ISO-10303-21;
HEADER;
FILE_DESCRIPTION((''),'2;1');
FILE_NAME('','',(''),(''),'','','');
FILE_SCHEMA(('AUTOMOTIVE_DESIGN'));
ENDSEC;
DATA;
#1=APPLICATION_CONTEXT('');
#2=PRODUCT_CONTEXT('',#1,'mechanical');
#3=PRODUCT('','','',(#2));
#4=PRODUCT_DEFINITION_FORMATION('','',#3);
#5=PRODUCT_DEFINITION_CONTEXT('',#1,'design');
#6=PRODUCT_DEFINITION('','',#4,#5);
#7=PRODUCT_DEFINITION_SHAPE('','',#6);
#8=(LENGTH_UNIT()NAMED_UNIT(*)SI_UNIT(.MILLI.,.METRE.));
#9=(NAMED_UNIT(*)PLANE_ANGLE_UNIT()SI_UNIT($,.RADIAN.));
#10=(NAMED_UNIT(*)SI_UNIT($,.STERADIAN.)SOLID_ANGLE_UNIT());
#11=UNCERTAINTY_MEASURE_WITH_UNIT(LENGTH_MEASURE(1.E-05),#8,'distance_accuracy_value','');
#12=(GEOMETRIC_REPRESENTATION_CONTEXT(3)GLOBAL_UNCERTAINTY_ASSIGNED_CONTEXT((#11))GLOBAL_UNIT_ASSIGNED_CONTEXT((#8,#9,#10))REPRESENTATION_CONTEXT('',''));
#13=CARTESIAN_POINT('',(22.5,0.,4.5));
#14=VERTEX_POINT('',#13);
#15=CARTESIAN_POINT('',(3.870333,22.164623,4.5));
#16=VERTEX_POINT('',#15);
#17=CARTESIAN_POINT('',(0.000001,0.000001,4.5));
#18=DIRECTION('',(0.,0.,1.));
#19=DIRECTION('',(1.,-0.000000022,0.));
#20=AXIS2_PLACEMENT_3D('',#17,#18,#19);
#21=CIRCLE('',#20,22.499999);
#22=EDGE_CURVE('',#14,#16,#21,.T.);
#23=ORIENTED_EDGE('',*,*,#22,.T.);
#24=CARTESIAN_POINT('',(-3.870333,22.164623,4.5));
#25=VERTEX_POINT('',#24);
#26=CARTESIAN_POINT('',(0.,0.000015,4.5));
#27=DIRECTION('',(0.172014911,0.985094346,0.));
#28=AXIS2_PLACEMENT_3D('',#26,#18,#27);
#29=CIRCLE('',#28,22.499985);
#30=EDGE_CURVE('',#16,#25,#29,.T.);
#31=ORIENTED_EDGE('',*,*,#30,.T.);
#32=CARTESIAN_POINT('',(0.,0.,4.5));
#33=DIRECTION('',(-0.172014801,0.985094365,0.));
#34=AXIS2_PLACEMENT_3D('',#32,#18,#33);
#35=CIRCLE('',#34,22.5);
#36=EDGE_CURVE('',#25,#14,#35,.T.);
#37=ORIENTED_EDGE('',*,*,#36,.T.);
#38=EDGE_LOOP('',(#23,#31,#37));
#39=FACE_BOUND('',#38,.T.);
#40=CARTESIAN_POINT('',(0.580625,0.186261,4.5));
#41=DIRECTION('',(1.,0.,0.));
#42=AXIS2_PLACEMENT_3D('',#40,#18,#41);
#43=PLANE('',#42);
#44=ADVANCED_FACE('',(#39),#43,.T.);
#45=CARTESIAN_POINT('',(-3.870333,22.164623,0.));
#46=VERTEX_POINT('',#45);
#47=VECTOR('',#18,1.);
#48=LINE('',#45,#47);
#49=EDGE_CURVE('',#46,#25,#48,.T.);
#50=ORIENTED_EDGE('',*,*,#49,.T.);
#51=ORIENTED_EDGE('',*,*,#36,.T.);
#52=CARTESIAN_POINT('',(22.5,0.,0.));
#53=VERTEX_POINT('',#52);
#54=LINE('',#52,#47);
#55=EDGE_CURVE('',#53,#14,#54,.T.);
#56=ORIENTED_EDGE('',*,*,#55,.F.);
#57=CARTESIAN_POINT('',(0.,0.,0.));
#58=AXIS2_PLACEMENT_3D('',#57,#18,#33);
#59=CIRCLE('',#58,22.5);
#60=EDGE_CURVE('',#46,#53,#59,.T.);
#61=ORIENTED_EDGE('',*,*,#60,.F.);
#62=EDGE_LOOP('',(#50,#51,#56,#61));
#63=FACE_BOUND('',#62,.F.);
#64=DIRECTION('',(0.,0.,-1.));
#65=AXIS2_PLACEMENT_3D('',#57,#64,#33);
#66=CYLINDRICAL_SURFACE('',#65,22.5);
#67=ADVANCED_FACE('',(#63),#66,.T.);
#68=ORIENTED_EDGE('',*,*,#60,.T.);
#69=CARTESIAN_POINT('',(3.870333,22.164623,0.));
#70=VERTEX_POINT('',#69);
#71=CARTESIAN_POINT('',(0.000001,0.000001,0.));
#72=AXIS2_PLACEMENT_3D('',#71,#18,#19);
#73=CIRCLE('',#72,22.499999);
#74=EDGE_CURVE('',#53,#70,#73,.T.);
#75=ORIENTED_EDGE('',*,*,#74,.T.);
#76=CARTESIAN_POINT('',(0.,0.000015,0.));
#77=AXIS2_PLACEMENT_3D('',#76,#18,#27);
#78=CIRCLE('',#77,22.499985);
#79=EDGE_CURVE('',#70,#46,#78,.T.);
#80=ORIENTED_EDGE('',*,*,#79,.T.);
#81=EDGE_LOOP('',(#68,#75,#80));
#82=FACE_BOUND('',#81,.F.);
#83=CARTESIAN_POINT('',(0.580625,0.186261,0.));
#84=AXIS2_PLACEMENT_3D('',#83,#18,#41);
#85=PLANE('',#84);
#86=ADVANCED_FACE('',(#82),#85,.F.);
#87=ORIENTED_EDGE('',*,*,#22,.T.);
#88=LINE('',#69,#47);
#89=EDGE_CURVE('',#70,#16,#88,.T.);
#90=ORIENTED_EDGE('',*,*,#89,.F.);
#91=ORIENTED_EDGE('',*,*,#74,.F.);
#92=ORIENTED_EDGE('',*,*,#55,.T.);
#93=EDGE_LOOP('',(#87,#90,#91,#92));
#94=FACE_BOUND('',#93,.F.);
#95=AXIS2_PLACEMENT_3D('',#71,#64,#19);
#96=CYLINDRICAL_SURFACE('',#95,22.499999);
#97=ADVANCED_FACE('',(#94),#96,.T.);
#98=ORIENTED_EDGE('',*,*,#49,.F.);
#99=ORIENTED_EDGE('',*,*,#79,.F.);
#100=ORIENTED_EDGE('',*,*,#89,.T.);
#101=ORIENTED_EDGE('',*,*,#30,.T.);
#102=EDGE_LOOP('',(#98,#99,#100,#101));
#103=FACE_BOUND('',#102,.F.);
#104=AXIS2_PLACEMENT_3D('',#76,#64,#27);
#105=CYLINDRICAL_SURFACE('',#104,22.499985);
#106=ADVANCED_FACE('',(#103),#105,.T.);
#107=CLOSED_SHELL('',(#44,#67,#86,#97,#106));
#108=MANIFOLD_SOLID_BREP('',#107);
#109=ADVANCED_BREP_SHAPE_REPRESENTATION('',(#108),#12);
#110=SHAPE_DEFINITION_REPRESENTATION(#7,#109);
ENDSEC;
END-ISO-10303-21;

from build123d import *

# Parameters (mm, degrees)
F1_DEPTH = 4.5


with BuildPart() as f1:
    # F0 (on Top) → F1 (new body)
    with BuildSketch(Plane.XY):
        with BuildLine():
            ThreePointArc((-3.870333, 22.164623), (-14.477008, -17.224002), (22.5, 0))
            ThreePointArc((22.5, 0), (17.224002, 14.477008), (3.870333, 22.164623))
            add(Edge.make_bspline(
                [(-3.870333, 22.164623), (-23.209626, -20), (0, -20), (23.209626, -20), (3.870333, 22.164623)],
                knots=[0.585846, 0.585846, 0.585846, 3.141593, 3.141593, 5.697339, 5.697339, 5.697339], degree=2, weights=[1, 0.288752, 1, 0.288752, 1]))
        make_face()
        with BuildLine():
            add(Edge.make_bspline(
                [(-3.870333, 22.164623), (-23.209626, -20), (0, -20), (23.209626, -20), (3.870333, 22.164623)],
                knots=[0.585846, 0.585846, 0.585846, 3.141593, 3.141593, 5.697339, 5.697339, 5.697339], degree=2, weights=[1, 0.288752, 1, 0.288752, 1]))
            ThreePointArc((3.870333, 22.164623), (0, 22.5), (-3.870333, 22.164623))
        make_face()
    extrude(amount=F1_DEPTH)


solid = f1.part
